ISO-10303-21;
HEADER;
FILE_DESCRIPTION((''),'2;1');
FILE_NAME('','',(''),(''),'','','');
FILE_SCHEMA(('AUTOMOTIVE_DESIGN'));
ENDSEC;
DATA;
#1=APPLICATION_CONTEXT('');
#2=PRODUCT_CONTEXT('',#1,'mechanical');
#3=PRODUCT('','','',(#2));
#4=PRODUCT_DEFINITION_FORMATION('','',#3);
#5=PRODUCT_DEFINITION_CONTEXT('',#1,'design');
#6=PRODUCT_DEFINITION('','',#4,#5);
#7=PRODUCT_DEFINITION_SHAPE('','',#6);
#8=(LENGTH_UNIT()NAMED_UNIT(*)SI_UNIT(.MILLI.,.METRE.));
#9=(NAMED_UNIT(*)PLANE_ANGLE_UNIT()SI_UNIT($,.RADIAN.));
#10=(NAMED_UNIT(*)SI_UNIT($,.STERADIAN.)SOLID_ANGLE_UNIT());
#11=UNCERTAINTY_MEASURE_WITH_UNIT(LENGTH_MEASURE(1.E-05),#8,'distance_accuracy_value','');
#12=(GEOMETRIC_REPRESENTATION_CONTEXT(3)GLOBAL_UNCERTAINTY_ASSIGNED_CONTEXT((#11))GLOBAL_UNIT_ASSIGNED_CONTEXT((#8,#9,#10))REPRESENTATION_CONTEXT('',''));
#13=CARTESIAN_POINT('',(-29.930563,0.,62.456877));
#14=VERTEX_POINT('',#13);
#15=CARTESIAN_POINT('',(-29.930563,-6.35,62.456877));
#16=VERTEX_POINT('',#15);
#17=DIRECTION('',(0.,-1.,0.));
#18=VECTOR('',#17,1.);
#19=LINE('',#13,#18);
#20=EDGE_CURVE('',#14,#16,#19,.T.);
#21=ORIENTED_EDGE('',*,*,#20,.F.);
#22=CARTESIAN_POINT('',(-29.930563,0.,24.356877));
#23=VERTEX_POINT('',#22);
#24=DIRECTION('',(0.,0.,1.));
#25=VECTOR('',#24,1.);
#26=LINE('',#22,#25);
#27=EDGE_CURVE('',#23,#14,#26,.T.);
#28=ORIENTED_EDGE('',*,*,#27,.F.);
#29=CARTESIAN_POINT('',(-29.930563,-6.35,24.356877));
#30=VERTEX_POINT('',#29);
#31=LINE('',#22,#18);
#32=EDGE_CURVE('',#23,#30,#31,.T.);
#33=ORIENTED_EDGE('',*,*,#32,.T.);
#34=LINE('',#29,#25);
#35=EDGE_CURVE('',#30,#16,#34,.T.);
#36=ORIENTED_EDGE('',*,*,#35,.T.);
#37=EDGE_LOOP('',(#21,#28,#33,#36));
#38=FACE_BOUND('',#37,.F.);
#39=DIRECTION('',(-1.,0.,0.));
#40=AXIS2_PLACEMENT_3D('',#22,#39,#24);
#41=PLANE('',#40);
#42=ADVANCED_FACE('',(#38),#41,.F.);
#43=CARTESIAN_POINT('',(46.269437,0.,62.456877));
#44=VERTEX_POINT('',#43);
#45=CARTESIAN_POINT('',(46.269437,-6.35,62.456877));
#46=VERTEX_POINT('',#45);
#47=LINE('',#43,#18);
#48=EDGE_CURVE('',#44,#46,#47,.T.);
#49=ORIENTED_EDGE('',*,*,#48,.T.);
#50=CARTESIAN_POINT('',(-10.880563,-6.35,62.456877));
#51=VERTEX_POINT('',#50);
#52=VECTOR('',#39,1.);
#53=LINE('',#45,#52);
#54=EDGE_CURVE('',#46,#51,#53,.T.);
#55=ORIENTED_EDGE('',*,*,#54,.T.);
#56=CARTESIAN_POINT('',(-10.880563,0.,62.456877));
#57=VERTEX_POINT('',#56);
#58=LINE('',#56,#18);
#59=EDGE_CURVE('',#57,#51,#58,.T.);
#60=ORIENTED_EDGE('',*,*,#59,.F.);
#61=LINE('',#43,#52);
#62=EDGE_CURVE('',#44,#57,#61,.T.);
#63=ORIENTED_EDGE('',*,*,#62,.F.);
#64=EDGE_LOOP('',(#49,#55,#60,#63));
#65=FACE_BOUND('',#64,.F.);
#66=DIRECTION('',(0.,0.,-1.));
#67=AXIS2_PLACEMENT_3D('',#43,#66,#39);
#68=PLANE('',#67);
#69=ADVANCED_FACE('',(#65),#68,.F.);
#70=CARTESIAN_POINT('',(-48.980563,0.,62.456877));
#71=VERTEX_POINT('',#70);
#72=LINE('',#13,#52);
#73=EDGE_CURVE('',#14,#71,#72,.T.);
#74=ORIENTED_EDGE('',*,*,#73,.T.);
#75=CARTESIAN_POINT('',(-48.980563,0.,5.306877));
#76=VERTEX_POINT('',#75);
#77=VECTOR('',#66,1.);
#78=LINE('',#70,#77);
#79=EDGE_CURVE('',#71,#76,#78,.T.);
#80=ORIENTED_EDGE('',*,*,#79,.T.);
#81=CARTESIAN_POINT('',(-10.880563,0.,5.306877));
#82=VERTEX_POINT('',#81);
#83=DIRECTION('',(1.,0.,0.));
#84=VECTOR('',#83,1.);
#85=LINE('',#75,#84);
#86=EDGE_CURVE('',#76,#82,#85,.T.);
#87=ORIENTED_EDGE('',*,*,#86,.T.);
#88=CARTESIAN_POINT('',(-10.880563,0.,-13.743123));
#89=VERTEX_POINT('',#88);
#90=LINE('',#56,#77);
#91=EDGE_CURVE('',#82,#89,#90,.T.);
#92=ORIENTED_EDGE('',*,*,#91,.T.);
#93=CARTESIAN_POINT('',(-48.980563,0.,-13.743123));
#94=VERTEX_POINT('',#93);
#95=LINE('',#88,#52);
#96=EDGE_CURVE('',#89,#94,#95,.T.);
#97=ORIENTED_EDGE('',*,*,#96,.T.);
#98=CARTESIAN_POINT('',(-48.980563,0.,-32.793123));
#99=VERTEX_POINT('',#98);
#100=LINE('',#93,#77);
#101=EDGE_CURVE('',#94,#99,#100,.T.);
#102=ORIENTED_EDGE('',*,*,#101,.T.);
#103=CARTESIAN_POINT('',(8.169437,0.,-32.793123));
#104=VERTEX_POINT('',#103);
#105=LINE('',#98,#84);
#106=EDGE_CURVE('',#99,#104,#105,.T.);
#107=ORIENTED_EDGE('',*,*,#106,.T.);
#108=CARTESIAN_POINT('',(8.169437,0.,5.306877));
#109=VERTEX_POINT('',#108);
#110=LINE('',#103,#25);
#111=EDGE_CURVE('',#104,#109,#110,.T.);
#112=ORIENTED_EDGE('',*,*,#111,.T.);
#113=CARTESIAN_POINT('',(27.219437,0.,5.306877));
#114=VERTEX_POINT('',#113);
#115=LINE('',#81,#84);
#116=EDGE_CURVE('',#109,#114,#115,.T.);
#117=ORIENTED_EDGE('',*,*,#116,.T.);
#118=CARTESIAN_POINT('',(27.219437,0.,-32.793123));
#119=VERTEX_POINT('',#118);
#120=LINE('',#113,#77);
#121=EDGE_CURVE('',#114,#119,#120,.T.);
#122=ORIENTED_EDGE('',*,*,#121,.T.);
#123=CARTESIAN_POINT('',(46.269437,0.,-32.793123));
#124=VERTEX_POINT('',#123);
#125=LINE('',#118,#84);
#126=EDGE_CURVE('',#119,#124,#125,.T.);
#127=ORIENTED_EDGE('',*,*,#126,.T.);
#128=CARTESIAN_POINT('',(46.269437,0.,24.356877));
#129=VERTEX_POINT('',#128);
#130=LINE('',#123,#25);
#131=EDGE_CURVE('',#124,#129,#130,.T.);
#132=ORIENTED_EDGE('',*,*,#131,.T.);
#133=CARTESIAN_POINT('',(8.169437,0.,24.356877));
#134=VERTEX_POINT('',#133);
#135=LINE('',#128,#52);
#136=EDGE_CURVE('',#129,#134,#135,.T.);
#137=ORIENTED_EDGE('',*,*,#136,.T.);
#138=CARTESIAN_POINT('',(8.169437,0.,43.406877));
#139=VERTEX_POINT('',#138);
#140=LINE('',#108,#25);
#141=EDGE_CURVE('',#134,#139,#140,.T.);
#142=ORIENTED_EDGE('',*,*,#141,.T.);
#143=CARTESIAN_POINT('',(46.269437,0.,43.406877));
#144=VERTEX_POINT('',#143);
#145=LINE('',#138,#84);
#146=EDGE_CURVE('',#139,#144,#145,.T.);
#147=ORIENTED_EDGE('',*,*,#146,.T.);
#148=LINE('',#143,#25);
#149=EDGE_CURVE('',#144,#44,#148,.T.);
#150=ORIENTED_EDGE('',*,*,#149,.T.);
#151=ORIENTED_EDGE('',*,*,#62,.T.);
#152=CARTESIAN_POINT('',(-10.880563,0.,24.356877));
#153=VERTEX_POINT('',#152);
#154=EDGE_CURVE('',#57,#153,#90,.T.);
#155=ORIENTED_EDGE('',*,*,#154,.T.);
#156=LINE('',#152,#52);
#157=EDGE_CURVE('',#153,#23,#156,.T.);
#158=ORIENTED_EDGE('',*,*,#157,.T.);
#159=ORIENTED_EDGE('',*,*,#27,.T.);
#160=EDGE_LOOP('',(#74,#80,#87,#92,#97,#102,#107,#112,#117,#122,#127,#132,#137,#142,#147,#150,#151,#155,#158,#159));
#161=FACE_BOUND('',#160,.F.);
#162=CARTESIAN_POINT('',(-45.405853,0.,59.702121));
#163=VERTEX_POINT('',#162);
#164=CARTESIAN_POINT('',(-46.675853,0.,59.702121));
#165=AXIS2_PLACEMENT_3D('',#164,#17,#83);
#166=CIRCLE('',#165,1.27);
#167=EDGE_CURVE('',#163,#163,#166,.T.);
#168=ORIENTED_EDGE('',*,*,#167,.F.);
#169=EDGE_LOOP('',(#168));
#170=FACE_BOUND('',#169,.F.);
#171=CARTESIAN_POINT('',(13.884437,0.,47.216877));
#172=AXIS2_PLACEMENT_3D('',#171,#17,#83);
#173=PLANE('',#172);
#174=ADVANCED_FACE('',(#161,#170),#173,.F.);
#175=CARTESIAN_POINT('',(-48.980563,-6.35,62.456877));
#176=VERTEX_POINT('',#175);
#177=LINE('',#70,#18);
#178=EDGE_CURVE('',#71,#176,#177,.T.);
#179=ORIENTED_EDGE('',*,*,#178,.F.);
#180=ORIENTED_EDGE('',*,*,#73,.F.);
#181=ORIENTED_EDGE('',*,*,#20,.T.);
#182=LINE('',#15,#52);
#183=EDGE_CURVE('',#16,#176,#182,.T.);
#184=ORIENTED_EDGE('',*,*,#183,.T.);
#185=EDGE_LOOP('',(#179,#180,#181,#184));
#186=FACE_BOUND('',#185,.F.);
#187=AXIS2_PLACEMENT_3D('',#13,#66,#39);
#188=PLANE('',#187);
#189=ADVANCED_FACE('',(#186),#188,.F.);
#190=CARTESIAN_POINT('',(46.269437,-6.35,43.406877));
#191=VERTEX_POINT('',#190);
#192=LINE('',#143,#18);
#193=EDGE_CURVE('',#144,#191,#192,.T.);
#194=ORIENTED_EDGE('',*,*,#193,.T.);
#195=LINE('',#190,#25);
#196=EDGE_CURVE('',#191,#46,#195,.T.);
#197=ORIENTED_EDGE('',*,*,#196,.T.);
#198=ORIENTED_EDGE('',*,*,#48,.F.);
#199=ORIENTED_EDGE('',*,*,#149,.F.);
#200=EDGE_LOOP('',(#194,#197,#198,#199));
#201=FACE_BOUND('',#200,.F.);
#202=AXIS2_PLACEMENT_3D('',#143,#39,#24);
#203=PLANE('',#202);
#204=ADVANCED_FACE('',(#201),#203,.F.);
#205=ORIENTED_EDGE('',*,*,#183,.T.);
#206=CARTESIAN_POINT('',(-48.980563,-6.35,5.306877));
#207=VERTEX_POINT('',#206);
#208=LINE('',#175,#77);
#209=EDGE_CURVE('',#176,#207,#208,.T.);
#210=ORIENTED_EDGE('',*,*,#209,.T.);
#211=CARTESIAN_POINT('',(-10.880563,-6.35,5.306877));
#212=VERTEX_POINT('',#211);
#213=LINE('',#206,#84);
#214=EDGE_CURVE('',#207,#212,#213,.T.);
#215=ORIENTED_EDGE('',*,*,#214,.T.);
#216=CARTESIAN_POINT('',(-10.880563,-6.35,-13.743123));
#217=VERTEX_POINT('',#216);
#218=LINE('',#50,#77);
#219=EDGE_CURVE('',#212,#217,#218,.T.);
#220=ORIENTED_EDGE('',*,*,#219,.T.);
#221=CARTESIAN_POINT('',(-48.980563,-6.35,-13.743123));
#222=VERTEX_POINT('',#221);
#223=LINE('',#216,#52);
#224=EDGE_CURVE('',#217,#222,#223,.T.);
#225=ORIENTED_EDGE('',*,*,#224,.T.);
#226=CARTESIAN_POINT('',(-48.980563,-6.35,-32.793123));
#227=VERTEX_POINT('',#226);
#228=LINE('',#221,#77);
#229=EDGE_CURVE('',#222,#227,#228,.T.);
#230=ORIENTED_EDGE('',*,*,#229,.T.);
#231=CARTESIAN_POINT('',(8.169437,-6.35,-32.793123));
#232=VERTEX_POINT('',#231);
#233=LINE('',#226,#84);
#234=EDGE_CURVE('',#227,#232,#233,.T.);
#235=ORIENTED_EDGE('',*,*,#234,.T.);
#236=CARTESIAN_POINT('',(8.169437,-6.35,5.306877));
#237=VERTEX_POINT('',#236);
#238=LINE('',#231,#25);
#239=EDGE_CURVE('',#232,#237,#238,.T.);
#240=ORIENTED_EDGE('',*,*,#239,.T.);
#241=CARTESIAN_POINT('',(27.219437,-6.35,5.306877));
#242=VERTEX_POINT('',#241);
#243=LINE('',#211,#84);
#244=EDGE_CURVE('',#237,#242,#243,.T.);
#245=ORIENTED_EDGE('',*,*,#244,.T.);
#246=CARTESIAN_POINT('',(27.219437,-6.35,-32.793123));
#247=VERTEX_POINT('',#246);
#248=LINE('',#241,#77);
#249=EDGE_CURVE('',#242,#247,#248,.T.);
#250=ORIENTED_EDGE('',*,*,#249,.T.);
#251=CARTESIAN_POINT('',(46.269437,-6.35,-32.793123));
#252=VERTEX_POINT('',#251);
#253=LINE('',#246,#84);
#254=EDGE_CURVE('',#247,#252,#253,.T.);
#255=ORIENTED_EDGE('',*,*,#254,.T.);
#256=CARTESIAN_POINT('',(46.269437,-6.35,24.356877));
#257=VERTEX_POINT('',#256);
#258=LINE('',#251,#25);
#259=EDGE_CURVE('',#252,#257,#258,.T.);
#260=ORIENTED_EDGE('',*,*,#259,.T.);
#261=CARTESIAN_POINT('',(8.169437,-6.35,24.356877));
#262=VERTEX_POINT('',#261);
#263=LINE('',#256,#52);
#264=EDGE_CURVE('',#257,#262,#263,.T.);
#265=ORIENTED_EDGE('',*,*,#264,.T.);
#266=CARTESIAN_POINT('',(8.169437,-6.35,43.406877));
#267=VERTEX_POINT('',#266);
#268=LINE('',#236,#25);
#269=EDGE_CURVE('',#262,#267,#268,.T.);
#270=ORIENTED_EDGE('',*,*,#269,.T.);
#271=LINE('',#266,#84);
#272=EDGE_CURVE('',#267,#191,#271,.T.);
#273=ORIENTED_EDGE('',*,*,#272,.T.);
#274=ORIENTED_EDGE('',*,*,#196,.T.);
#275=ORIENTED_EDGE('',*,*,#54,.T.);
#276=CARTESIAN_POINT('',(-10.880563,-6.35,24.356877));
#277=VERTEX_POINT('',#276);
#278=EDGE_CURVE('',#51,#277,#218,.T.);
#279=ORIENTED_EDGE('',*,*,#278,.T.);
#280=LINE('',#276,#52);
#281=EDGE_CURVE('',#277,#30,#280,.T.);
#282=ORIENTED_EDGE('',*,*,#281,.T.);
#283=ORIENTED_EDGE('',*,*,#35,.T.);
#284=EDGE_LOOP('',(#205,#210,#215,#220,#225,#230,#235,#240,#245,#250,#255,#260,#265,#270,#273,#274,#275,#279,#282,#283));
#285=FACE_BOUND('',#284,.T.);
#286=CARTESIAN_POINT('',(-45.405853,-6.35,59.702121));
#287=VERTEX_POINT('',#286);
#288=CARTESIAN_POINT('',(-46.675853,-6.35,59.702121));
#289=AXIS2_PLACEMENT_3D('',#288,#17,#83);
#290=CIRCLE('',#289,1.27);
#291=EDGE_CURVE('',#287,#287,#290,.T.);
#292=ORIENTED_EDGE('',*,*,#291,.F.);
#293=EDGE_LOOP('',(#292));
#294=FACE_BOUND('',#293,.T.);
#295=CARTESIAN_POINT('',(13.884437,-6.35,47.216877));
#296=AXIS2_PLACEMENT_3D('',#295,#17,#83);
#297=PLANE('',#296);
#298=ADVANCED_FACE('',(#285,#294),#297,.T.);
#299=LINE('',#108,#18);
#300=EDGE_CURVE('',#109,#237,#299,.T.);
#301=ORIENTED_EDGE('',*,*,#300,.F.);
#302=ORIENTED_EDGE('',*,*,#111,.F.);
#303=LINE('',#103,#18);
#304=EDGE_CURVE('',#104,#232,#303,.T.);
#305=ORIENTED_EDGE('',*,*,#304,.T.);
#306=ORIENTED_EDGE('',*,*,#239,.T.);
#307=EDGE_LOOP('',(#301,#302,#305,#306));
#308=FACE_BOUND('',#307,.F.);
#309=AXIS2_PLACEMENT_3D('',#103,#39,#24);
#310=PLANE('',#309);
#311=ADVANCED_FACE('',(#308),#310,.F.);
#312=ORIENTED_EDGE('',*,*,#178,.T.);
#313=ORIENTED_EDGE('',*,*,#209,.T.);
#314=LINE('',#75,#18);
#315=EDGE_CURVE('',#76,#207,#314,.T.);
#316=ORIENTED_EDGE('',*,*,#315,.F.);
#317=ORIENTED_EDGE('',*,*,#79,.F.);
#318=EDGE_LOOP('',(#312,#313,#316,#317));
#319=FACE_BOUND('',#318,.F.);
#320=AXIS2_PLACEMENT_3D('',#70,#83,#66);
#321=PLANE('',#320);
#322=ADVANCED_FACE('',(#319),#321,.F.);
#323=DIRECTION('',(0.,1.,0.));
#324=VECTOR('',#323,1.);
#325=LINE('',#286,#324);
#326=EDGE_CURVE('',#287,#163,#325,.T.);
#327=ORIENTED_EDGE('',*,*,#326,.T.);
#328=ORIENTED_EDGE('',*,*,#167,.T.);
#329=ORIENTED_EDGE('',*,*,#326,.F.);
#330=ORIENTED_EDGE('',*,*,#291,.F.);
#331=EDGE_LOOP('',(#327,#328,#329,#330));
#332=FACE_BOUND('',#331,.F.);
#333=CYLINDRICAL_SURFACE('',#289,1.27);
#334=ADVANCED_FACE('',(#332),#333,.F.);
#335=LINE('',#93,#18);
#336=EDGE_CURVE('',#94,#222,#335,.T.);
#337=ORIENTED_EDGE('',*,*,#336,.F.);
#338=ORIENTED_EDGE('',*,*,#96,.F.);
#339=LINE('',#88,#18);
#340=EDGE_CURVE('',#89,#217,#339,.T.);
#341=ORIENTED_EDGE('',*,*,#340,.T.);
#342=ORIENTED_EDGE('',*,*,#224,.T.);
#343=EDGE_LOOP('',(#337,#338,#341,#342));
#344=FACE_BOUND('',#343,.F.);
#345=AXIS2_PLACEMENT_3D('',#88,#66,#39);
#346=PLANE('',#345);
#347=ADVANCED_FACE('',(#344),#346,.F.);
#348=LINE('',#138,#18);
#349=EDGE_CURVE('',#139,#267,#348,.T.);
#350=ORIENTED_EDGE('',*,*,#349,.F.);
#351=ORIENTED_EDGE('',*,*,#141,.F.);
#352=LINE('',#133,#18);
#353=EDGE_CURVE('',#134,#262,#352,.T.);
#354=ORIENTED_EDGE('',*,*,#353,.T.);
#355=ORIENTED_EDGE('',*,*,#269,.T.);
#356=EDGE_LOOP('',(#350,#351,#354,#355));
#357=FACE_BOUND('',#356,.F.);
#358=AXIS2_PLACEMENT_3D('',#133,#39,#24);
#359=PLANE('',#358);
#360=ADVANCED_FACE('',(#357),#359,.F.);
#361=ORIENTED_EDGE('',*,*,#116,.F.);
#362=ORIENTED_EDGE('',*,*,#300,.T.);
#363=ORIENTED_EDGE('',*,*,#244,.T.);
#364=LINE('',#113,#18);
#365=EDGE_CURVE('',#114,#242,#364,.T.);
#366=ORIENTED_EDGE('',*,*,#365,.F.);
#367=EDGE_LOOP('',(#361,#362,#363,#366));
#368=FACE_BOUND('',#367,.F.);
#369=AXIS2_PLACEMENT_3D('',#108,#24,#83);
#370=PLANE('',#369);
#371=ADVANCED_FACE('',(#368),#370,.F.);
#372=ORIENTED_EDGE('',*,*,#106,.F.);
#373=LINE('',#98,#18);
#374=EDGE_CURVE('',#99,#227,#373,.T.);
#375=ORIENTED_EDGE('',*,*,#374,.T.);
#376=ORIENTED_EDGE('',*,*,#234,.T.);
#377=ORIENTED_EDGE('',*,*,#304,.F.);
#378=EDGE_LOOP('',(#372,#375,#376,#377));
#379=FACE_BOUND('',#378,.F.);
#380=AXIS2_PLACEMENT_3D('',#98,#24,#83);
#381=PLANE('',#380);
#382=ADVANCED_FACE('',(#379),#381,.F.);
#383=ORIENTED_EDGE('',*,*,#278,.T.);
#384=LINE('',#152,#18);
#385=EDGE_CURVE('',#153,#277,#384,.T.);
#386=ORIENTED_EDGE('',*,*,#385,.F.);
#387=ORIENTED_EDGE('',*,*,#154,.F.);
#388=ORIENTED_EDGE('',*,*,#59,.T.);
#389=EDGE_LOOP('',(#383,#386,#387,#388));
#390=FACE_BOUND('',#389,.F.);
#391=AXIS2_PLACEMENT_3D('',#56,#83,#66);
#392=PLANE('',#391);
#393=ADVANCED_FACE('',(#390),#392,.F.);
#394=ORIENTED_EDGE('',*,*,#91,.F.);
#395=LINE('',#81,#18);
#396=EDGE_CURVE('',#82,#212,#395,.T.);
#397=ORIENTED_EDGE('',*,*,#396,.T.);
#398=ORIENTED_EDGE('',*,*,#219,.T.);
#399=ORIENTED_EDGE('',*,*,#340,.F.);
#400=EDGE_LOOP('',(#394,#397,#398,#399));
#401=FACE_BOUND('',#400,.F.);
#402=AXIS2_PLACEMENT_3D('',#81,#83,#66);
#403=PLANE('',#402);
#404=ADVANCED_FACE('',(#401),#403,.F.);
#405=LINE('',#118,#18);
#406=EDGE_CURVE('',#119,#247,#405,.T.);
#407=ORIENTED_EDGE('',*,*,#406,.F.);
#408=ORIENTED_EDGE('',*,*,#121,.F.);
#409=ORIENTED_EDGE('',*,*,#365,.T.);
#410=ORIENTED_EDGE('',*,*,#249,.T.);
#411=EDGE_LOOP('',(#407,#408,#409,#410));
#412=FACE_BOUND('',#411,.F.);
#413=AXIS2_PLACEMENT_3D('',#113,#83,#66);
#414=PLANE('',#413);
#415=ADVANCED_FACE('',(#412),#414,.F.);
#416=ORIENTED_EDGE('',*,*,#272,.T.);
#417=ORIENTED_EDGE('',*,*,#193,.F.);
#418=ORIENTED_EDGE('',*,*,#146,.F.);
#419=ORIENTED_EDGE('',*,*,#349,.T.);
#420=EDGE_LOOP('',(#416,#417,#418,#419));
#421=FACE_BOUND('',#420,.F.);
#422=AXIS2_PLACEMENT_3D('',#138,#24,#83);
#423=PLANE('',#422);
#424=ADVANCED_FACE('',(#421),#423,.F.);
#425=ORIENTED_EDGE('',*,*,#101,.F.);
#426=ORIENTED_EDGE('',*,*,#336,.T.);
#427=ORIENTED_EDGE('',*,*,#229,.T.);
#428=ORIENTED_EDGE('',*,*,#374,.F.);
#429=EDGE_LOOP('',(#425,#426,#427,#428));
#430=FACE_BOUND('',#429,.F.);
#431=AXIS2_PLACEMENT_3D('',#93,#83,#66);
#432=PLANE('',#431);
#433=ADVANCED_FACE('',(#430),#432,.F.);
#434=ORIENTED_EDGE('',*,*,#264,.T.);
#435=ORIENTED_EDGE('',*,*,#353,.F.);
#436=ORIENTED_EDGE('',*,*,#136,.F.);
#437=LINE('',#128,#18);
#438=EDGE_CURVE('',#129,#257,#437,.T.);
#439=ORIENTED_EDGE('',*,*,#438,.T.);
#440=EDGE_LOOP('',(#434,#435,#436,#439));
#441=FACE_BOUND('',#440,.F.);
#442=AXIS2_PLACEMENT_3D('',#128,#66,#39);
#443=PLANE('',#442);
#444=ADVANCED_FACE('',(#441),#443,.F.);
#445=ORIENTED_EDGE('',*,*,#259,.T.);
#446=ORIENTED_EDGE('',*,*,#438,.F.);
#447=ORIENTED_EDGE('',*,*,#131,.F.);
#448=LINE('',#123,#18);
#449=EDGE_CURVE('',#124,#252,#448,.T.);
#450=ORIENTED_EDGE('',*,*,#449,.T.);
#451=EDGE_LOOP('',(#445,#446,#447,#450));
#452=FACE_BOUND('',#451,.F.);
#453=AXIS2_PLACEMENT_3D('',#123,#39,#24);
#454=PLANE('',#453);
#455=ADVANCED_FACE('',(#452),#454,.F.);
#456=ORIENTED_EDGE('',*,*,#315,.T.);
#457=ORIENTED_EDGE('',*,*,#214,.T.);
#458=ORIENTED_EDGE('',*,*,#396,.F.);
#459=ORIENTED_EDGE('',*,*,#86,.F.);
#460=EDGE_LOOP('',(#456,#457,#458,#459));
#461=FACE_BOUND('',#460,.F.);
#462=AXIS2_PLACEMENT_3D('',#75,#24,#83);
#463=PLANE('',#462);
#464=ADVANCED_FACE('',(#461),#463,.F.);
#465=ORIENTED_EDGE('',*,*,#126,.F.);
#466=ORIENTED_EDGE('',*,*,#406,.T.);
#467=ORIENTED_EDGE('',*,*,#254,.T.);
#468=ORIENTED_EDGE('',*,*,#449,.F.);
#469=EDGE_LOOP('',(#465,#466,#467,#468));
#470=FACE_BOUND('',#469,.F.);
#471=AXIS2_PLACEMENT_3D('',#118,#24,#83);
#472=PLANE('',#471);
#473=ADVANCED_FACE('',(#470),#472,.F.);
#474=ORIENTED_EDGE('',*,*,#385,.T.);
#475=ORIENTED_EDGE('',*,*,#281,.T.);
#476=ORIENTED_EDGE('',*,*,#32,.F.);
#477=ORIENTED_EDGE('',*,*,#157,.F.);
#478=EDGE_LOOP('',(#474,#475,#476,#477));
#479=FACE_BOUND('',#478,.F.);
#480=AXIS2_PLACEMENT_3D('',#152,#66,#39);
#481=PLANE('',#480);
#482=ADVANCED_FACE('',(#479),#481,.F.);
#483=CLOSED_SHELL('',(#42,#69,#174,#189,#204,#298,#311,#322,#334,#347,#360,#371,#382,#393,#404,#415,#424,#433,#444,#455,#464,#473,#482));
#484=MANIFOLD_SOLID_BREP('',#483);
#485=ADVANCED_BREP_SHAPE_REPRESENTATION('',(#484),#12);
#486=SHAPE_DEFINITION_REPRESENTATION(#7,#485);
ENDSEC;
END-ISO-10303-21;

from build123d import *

# Parameters (mm, degrees)
F0_W     = 19.05
F0_H     = 19.05
F1_DEPTH = 6.35
F2_R     = 1.27
F3_DEPTH = 25.4


with BuildPart() as f1:
    # F0 (on Front) → F1 (new body)
    with BuildSketch(Plane.XZ):
        Polygon((-10.8805632712, 62.4568768001), (-10.8805632712, 24.3568768001), (8.1694367288, 24.3568768001), (8.1694367288, 43.4068768001), (46.2694367288, 43.4068768001), (46.2694367288, 62.4568768001), align=None)
        with Locations((-1.3555632712, 14.8318768001)):
            Rectangle(F0_W, F0_H)
        Polygon((8.1694367288, 24.3568768001), (8.1694367288, 5.3068768001), (27.2194367288, 5.3068768001), (27.2194367288, -32.7931231999), (46.2694367288, -32.7931231999), (46.2694367288, 24.3568768001), align=None)
        Polygon((8.1694367288, 5.3068768001), (-10.8805632712, 5.3068768001), (-10.8805632712, -13.7431231999), (-48.9805632712, -13.7431231999), (-48.9805632712, -32.7931231999), (8.1694367288, -32.7931231999), align=None)
        Polygon((-29.9305632712, 62.4568768001), (-48.9805632712, 62.4568768001), (-48.9805632712, 5.3068768001), (-10.8805632712, 5.3068768001), (-10.8805632712, 24.3568768001), (-29.9305632712, 24.3568768001), align=None)
    extrude(amount=F1_DEPTH)

    # F2 (on face) → F3 (cut)
    with BuildSketch(Plane.XZ.offset(6.35)):
        with Locations((-46.6758534312, 59.7021207213)):
            Circle(F2_R)
    extrude(amount=-F3_DEPTH, mode=Mode.SUBTRACT)


solid = f1.part
